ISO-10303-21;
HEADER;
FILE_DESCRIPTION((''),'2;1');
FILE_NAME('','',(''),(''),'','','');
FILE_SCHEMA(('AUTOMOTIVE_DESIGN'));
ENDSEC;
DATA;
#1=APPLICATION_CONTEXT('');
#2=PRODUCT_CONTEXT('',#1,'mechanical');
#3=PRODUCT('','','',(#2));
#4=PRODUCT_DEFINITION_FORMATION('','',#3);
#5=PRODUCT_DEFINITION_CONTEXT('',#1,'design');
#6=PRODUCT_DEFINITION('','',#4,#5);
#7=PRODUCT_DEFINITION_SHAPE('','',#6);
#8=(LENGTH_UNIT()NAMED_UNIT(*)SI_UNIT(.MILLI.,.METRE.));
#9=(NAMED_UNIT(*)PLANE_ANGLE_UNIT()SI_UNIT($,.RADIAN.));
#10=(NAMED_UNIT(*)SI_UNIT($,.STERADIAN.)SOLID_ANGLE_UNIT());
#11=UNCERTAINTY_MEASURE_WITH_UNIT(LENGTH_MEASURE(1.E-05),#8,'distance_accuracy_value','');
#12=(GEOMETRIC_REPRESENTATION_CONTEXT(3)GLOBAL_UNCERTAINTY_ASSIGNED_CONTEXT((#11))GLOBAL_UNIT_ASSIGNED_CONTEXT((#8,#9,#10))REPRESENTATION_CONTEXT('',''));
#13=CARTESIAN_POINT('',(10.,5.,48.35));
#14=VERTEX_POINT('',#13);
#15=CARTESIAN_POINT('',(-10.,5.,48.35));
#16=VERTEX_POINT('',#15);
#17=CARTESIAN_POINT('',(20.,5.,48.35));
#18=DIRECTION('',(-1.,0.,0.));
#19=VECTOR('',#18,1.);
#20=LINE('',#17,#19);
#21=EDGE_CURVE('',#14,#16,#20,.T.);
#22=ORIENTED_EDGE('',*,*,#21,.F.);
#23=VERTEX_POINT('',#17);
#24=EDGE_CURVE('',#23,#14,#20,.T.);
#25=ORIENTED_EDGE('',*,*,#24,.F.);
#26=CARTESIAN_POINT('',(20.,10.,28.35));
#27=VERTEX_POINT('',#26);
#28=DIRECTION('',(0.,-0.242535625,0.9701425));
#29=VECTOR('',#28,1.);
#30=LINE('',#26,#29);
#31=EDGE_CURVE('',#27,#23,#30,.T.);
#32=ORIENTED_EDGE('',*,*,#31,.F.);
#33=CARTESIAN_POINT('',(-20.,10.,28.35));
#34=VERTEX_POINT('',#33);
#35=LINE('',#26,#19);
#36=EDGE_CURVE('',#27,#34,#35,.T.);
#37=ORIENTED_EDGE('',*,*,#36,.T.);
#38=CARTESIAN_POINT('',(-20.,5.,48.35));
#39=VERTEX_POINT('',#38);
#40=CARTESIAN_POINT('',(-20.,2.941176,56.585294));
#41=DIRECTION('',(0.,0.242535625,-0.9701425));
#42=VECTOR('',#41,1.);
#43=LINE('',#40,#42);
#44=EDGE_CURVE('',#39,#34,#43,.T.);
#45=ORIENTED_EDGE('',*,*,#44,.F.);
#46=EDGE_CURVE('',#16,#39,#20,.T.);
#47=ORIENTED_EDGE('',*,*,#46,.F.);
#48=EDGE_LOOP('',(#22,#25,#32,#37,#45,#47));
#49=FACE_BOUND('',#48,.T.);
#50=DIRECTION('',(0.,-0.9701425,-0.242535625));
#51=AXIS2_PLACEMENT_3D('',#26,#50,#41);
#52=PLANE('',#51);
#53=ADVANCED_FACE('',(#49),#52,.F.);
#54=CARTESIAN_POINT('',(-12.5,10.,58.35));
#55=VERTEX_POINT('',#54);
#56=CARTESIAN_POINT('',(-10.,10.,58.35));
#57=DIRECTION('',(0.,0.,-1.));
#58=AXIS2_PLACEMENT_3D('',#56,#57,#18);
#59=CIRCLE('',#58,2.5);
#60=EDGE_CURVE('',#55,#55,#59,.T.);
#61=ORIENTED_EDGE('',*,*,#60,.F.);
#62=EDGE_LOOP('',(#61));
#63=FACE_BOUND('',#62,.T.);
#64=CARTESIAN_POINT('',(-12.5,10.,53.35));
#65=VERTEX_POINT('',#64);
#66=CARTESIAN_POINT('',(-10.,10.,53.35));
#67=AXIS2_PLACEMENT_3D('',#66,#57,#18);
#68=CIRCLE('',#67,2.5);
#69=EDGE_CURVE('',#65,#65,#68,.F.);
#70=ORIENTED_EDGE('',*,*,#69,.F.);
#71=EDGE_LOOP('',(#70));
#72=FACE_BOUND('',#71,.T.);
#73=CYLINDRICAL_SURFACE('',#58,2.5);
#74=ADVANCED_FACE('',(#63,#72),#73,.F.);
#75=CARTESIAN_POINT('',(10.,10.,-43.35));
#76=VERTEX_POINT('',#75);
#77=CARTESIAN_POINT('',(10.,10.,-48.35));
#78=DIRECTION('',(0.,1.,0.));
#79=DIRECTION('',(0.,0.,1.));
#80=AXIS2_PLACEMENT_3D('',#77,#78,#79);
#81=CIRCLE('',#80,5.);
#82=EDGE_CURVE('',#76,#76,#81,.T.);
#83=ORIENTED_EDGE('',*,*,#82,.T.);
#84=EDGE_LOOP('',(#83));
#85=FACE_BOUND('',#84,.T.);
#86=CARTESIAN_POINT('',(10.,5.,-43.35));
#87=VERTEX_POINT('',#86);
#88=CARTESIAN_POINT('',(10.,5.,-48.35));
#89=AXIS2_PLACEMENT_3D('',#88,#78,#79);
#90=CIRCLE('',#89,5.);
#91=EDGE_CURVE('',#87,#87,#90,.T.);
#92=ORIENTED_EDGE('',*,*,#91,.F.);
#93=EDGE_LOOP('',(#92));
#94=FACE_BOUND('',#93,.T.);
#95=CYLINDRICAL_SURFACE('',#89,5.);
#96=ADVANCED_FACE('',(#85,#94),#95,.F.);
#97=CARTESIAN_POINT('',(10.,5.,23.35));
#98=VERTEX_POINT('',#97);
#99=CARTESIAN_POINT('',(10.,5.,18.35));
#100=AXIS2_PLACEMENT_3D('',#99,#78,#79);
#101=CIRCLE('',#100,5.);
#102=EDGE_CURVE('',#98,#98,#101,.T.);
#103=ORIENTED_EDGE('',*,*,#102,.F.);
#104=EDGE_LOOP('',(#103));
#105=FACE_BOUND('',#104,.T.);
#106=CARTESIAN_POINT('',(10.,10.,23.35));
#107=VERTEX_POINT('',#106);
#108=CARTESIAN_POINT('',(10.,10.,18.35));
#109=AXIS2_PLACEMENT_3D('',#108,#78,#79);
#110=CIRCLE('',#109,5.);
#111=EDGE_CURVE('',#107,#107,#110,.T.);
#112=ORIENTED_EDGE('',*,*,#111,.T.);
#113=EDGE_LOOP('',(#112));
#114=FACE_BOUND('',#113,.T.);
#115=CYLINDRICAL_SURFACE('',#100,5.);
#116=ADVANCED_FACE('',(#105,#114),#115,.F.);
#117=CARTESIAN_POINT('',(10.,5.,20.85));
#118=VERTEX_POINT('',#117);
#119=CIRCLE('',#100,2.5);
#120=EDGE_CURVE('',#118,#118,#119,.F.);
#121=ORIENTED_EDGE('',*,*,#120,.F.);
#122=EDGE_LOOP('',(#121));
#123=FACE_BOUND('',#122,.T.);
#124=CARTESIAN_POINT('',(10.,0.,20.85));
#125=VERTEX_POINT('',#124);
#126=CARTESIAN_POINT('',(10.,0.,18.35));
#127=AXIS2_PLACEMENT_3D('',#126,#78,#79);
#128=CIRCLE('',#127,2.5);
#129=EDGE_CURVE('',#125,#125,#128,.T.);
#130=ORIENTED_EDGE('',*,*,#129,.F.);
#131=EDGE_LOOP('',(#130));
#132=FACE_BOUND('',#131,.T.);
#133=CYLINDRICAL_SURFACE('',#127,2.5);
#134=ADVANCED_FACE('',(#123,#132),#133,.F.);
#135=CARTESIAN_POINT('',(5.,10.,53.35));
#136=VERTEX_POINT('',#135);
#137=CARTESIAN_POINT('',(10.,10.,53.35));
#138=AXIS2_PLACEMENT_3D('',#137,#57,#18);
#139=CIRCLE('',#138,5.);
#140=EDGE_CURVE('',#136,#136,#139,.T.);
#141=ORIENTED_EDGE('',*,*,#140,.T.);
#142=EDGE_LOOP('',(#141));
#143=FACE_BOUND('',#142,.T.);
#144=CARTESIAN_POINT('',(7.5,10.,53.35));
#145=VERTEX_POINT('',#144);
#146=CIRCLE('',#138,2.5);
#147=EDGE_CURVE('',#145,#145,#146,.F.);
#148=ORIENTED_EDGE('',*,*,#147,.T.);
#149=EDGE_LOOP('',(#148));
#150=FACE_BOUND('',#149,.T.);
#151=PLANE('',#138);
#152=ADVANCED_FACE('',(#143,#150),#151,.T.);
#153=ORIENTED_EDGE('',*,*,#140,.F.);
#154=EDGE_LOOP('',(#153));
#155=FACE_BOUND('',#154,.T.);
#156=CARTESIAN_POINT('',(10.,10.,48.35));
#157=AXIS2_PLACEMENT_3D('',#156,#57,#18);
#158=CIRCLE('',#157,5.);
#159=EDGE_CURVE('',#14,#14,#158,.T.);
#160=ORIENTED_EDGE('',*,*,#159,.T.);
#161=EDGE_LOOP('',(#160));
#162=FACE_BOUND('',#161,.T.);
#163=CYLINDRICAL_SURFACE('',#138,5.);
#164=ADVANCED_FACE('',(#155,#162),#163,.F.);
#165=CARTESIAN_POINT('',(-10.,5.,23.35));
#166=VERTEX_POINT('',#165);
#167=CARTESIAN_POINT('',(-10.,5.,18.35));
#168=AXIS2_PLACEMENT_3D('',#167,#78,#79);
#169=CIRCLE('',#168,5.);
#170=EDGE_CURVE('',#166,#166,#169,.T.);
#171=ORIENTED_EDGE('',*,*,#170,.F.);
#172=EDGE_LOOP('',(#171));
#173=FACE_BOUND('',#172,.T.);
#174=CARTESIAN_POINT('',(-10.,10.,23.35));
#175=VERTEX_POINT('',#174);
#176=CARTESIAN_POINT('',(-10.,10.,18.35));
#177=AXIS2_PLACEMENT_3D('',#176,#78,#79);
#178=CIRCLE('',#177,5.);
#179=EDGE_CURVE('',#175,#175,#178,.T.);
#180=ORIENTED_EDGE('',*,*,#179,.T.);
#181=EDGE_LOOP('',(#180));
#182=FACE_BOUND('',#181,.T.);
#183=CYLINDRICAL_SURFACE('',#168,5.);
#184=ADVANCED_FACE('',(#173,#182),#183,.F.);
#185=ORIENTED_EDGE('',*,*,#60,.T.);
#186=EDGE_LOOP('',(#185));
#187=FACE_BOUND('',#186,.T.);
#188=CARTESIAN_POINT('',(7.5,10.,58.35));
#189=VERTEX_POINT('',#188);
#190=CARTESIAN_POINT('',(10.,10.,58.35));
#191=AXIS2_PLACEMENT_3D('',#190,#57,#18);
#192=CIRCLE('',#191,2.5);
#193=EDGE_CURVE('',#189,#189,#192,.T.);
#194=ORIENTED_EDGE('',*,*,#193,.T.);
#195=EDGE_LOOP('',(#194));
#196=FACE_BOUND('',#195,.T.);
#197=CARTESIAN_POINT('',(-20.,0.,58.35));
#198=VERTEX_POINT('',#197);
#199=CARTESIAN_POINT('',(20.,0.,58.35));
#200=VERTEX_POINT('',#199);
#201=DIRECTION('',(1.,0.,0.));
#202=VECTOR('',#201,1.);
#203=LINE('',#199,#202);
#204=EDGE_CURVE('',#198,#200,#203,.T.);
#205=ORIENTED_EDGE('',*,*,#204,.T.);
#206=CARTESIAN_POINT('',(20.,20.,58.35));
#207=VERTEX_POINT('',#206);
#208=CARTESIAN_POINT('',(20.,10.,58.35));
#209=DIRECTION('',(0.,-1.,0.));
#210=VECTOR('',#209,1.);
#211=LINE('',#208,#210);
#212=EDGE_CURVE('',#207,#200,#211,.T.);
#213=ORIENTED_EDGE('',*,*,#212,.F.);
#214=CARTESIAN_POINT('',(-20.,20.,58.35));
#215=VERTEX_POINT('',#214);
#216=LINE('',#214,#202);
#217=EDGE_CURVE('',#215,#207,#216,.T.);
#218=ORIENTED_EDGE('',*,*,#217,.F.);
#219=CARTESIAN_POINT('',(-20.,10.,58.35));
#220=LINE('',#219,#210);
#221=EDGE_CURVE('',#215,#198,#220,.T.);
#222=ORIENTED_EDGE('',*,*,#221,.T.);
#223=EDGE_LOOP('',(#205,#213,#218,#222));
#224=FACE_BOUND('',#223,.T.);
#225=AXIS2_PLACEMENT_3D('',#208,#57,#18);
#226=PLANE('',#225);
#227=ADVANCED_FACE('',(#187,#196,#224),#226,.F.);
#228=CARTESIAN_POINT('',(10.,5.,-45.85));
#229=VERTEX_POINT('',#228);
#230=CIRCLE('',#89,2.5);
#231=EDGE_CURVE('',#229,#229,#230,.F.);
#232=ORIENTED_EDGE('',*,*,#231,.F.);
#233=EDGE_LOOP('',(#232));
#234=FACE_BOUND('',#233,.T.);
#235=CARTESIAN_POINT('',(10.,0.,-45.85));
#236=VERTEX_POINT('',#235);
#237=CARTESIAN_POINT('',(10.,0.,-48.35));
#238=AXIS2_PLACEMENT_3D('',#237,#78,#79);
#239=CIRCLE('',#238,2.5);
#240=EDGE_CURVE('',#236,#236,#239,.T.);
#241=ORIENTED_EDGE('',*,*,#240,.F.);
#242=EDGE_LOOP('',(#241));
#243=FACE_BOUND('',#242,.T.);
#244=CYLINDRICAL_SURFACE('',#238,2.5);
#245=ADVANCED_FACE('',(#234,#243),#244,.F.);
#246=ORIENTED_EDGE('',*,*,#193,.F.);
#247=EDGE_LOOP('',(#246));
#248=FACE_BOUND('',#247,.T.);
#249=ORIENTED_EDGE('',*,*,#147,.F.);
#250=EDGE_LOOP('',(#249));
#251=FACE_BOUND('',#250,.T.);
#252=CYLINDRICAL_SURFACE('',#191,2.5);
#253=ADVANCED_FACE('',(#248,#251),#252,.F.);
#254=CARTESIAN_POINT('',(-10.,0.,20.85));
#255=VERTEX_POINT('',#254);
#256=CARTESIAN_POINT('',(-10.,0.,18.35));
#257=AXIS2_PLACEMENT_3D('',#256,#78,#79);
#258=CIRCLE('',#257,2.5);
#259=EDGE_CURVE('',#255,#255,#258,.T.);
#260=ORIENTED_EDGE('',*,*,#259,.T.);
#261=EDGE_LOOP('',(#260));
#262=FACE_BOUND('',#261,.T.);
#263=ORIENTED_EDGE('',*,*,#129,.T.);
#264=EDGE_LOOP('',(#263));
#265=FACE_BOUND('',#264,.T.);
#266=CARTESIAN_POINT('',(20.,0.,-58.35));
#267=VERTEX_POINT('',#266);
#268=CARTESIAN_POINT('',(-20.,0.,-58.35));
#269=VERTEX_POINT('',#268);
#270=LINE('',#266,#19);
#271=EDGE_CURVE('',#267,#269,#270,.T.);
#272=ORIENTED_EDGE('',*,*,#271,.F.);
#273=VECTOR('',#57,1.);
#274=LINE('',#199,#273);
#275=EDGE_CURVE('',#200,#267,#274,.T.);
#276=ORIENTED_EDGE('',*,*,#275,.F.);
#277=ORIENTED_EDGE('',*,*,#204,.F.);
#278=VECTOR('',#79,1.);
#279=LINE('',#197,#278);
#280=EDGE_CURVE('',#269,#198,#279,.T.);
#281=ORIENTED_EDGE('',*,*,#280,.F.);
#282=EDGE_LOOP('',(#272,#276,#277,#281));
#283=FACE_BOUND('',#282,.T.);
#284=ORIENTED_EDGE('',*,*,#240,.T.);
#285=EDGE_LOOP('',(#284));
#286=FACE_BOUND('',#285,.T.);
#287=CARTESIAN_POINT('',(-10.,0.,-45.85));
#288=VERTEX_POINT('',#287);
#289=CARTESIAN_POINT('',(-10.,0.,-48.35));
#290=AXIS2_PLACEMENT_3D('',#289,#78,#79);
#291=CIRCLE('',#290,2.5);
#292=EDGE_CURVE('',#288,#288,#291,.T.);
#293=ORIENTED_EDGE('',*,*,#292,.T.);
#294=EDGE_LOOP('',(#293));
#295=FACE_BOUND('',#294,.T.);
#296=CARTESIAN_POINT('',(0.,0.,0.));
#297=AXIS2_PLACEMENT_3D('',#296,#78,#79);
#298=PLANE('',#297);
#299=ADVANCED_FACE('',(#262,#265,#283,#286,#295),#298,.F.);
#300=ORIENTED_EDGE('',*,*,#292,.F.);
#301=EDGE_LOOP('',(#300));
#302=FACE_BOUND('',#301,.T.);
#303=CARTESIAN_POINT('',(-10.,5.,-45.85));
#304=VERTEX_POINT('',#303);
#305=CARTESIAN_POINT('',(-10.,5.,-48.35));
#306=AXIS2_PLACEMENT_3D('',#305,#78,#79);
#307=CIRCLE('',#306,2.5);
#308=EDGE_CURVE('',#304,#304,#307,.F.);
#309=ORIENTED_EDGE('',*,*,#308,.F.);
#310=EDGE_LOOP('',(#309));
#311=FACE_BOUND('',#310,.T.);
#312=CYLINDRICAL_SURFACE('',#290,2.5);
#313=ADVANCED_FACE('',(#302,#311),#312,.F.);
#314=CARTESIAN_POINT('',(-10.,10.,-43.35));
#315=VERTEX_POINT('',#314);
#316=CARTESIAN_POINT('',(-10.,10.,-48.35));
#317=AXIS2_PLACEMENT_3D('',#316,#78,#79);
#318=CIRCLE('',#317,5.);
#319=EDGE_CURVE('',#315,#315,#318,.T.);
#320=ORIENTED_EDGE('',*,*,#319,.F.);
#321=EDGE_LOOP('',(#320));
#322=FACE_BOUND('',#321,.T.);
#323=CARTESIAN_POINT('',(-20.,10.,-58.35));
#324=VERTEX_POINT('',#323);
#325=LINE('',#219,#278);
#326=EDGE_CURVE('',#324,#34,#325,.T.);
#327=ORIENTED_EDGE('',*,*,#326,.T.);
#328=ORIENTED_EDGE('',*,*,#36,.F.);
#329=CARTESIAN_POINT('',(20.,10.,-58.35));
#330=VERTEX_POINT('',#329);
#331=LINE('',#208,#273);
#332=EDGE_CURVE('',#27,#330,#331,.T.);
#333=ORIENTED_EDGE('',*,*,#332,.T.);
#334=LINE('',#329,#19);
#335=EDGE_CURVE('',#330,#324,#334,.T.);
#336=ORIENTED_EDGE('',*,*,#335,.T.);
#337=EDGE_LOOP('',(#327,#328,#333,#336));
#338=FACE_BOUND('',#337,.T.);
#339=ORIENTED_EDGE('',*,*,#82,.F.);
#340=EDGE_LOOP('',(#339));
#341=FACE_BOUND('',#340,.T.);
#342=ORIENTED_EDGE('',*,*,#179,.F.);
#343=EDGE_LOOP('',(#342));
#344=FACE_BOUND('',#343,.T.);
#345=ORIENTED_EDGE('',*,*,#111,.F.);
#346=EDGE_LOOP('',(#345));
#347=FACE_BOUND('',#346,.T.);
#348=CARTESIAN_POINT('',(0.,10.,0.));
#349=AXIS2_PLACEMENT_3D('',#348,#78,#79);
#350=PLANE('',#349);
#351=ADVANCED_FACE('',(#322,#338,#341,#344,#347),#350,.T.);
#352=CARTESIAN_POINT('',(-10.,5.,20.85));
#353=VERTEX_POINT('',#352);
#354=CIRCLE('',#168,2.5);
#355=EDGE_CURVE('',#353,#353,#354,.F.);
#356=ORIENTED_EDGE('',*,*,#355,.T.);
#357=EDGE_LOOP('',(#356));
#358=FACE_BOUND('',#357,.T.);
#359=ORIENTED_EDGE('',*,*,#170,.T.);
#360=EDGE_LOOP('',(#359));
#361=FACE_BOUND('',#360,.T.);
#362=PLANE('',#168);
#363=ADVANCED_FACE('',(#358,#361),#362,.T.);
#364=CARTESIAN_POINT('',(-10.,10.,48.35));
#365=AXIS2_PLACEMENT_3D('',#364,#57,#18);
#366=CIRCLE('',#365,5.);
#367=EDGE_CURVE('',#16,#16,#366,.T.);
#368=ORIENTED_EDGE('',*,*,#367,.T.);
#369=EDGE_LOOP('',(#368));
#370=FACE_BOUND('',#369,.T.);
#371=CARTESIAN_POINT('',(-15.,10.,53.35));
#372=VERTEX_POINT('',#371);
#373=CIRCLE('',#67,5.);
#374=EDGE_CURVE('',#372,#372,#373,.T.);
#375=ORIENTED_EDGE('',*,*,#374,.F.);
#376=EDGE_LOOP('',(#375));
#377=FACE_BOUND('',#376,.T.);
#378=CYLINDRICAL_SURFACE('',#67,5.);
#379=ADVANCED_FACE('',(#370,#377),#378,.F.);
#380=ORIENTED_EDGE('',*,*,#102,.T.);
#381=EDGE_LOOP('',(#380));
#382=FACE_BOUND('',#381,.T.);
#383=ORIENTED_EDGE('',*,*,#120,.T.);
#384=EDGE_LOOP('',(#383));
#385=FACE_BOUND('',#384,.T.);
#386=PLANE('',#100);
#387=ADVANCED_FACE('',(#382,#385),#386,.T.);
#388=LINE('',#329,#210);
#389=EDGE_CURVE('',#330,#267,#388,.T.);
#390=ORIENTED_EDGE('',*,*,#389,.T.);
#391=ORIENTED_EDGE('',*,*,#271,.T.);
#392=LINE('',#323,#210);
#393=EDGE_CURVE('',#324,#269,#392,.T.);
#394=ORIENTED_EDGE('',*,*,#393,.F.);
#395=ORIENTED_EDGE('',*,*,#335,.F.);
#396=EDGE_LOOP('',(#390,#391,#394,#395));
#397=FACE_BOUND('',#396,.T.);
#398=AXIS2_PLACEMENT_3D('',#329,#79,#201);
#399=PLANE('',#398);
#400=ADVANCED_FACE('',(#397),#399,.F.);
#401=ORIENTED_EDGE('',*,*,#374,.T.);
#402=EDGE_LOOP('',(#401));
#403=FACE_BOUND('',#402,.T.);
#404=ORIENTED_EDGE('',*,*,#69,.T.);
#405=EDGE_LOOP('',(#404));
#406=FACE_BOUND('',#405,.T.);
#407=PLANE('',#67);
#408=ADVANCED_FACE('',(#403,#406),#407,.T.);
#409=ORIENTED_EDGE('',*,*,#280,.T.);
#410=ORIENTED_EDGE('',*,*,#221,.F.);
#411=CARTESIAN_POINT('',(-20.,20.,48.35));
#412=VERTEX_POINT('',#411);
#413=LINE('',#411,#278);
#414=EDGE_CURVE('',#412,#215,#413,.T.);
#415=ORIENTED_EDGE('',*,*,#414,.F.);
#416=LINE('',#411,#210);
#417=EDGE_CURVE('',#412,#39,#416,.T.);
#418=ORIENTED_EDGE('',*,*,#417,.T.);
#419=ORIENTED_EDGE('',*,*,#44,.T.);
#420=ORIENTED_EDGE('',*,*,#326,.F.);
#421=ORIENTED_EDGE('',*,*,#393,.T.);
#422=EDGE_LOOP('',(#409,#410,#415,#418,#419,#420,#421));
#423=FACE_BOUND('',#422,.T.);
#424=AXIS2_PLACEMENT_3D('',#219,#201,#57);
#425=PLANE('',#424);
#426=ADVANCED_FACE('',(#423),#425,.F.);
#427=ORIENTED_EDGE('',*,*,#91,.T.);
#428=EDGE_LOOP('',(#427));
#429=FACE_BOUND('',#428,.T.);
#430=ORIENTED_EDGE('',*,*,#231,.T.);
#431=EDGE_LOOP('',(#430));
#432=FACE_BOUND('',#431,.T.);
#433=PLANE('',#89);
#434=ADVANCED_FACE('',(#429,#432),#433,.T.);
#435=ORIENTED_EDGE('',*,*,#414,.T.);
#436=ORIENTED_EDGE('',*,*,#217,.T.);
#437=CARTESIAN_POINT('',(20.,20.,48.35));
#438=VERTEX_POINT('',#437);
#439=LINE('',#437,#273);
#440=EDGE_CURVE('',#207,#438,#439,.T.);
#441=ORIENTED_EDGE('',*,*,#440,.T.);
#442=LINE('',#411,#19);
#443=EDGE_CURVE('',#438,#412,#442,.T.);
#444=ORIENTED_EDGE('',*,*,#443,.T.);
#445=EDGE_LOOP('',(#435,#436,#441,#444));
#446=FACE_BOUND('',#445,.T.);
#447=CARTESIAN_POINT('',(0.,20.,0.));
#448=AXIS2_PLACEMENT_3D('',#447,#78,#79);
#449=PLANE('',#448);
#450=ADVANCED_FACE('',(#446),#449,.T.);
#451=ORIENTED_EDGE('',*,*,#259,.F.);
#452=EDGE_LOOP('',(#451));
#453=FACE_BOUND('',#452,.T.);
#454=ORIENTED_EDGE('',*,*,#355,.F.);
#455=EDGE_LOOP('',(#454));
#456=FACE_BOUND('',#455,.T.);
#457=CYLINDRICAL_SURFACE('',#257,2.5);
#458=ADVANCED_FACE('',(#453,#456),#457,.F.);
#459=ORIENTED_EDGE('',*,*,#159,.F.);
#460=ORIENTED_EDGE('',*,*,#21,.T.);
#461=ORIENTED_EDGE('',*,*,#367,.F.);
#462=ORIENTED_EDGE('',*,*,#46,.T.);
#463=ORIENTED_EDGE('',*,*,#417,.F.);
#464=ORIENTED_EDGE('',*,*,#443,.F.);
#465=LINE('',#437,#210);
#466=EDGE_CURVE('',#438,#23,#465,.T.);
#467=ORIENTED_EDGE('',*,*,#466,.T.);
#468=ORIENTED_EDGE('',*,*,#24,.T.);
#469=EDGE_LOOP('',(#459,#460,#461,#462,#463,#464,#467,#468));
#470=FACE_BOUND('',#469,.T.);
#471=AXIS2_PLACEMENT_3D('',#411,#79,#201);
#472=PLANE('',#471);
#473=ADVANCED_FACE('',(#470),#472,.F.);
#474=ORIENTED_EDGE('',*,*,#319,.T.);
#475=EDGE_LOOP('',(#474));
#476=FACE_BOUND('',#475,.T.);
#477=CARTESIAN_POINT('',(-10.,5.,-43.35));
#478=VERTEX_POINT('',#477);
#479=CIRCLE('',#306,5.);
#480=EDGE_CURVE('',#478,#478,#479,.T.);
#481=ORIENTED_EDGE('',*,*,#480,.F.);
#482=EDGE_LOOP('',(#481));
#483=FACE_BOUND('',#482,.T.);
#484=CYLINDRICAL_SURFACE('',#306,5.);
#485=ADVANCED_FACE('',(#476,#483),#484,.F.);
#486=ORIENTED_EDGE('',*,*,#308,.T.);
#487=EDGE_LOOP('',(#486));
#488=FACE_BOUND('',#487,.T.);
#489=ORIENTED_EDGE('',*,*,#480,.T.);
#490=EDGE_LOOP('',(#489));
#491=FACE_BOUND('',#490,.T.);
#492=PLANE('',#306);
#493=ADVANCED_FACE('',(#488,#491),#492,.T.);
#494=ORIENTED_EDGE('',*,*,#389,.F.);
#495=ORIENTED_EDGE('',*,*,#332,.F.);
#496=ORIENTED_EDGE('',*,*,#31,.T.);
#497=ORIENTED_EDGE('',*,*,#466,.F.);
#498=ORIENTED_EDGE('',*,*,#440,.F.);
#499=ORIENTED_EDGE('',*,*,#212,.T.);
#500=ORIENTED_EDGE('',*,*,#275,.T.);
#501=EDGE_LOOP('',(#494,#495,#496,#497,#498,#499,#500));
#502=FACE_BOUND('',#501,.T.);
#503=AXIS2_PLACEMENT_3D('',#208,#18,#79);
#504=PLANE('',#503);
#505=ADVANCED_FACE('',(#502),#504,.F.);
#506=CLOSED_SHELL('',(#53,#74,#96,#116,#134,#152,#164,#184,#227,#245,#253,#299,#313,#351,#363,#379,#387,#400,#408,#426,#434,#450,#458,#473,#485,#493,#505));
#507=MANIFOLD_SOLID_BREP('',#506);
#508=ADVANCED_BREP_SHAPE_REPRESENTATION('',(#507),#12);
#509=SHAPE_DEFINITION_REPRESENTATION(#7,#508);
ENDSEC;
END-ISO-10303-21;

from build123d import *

# Parameters (mm, degrees)
SKETCH1_W               = 40
SKETCH1_H               = 116.7
BOSS_EXTRUDE1_DEPTH     = 10
SKETCH2_W               = 40
SKETCH2_H               = 10
BOSS_EXTRUDE2_DEPTH     = 10
CUT_EXTRUDE1_DEPTH      = 63.487778805
CUT_EXTRUDE1_DEPTH_BACK = 63.487778805
SKETCH3_R               = 2.5
SKETCH4_R               = 5
CUT_EXTRUDE2_DEPTH      = 5
CUT_EXTRUDE3_DEPTH      = 74.516817804
CUT_EXTRUDE3_DEPTH_BACK = 74.516817804
SKETCH6_R               = 2.5
CUT_EXTRUDE4_DEPTH      = 111.385189224
SKETCH7_R               = 5
CUT_EXTRUDE5_DEPTH      = 5


with BuildPart() as part:
    # Sketch1 → Boss-Extrude1 (new body)
    with BuildSketch(Plane(origin=(0, 0, 0), x_dir=(1, 0, 0), z_dir=(0, 1, 0))):
        Rectangle(SKETCH1_W, SKETCH1_H)
    extrude(amount=BOSS_EXTRUDE1_DEPTH)

    # Sketch2 → Boss-Extrude2 (add)
    with BuildSketch(Plane(origin=(0, 10, 0), x_dir=(1, 0, 0), z_dir=(0, 1, 0))):
        with Locations((0, -53.35)):
            Rectangle(SKETCH2_W, SKETCH2_H)
    extrude(amount=BOSS_EXTRUDE2_DEPTH)

    # Sketch3 → Cut-Extrude1 (cut, two sides: drawn at the far end of the back side and taken through both)
    with BuildSketch(Plane(origin=(0, 10, 0), x_dir=(1, 0, 0), z_dir=(0, 1, 0)).offset(-CUT_EXTRUDE1_DEPTH_BACK)):
        with Locations(Location((-10, 48.35, 0), (0, 0, 270))):
            Circle(SKETCH3_R)
        with Locations(Location((10, 48.35, 0), (0, 0, 270))):
            Circle(SKETCH3_R)
        with Locations(Location((10, -18.35, 0), (0, 0, 270))):
            Circle(SKETCH3_R)
        with Locations(Location((-10, -18.35, 0), (0, 0, 270))):
            Circle(SKETCH3_R)
    extrude(amount=CUT_EXTRUDE1_DEPTH + CUT_EXTRUDE1_DEPTH_BACK, mode=Mode.SUBTRACT)

    # Sketch4 → Cut-Extrude2 (cut)
    with BuildSketch(Plane(origin=(0, 10, 0), x_dir=(1, 0, 0), z_dir=(0, 1, 0))):
        with Locations(Location((10, 48.35, 0), (0, 0, 270))):
            Circle(SKETCH4_R)
        with Locations(Location((-10, 48.35, 0), (0, 0, 270))):
            Circle(SKETCH4_R)
        with Locations(Location((10, -18.35, 0), (0, 0, 270))):
            Circle(SKETCH4_R)
        with Locations(Location((-10, -18.35, 0), (0, 0, 270))):
            Circle(SKETCH4_R)
    extrude(amount=-CUT_EXTRUDE2_DEPTH, mode=Mode.SUBTRACT)

    # Sketch5 → Cut-Extrude3 (cut, two sides: drawn at the far end of the back side and taken through both)
    with BuildSketch(Plane.ZY.offset(20).offset(-CUT_EXTRUDE3_DEPTH_BACK)):
        Polygon((28.35, 10), (48.35, 5), (48.35, 10), align=None)
    extrude(amount=CUT_EXTRUDE3_DEPTH + CUT_EXTRUDE3_DEPTH_BACK, mode=Mode.SUBTRACT)

    # Sketch6 → Cut-Extrude4 (cut, through all)
    with BuildSketch(Plane(origin=(0, 0, 48.35), x_dir=(-1, 0, 0), z_dir=(0, 0, -1))):
        with Locations((-10, 10)):
            Circle(SKETCH6_R)
        with Locations((10, 10)):
            Circle(SKETCH6_R)
    extrude(amount=-CUT_EXTRUDE4_DEPTH, mode=Mode.SUBTRACT)

    # Sketch7 → Cut-Extrude5 (cut)
    with BuildSketch(Plane(origin=(0, 0, 48.35), x_dir=(-1, 0, 0), z_dir=(0, 0, -1))):
        with Locations((-10, 10)):
            Circle(SKETCH7_R)
        with Locations((10, 10)):
            Circle(SKETCH7_R)
    extrude(amount=-CUT_EXTRUDE5_DEPTH, mode=Mode.SUBTRACT)


solid = part.part
